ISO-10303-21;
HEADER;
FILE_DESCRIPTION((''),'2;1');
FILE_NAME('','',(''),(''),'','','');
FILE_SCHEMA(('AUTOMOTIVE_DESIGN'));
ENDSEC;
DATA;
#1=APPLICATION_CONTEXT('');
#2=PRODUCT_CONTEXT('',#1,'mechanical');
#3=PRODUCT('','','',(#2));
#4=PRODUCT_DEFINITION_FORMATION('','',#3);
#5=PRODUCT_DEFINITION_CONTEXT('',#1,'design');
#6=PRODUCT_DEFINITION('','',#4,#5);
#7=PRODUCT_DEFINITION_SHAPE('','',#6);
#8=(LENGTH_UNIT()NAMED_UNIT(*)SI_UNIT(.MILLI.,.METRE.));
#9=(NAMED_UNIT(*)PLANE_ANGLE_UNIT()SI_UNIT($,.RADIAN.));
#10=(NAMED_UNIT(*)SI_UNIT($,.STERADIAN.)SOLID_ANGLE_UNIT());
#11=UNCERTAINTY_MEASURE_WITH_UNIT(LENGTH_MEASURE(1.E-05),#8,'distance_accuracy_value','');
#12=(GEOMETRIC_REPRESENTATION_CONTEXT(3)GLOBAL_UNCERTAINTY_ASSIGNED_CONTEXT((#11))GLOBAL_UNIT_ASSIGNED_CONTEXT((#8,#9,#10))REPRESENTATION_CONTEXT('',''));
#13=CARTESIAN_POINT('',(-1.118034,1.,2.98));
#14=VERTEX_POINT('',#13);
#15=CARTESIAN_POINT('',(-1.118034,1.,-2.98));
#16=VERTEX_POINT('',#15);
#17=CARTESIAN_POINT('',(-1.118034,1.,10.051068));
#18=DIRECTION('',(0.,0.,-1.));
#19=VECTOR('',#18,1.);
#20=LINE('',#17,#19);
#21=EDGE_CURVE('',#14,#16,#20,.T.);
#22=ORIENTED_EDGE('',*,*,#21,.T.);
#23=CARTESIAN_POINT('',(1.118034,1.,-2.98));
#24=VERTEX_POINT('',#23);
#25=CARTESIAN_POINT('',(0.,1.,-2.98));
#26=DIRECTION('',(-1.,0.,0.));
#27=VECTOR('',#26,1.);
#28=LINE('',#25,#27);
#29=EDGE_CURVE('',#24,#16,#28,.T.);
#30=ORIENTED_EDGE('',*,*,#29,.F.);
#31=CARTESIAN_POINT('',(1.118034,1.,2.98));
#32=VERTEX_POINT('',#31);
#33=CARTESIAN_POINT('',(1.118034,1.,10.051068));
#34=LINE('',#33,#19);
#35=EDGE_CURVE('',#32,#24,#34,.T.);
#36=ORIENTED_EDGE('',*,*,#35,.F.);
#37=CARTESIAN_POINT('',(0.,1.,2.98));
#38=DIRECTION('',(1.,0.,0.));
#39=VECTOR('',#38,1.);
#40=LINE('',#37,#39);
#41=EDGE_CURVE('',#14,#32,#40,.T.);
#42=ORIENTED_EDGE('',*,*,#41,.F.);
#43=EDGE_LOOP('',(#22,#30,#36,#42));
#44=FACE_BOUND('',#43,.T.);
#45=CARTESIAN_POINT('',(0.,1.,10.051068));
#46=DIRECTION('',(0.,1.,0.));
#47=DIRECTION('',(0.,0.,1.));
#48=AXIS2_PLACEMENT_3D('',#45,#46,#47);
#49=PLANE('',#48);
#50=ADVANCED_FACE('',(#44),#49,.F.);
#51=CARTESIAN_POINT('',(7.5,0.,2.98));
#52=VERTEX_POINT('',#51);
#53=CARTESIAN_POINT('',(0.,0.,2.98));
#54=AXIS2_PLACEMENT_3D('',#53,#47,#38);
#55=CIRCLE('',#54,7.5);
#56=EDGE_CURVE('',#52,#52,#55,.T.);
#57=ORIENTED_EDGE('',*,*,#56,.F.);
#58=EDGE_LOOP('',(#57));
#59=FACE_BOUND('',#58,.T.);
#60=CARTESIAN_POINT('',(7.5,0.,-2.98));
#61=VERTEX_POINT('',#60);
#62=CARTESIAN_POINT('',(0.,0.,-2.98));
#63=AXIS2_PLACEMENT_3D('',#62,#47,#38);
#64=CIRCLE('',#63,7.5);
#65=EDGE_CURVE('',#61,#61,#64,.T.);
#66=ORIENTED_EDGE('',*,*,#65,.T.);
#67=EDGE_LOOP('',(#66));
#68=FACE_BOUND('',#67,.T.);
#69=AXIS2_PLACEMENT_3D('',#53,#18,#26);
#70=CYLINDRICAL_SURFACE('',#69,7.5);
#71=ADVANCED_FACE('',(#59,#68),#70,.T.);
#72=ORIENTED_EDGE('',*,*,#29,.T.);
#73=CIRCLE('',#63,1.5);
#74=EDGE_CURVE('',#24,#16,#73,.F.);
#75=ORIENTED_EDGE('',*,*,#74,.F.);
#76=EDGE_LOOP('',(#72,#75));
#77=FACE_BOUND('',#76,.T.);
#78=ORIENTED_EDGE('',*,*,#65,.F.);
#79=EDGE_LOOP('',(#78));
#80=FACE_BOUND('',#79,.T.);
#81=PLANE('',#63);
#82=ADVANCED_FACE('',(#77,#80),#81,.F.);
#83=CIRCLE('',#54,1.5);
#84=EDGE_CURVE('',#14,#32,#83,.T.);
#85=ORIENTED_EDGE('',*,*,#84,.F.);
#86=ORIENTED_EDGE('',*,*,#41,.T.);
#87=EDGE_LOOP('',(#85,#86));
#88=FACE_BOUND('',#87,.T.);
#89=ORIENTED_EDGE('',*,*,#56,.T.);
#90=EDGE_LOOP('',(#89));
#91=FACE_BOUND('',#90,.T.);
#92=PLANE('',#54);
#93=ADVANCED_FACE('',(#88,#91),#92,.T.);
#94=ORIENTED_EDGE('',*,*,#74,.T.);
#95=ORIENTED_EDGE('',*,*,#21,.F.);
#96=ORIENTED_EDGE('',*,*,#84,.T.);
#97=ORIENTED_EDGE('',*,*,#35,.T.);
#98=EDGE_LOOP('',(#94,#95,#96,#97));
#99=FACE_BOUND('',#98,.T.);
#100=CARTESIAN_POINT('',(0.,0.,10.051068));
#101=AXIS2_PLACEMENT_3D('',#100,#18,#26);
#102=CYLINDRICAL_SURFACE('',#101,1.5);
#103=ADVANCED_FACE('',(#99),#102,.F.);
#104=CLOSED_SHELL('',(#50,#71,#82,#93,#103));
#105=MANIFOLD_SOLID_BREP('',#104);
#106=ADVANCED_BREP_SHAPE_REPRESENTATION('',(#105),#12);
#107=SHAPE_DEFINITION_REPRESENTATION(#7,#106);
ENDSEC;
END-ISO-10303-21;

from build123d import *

# Parameters (mm, degrees)
SKETCH1_R                       = 7.5
SKETCH1_R_2                     = 2.5
BOSS_EXTRUDE2_DEPTH             = 2.98
BOSS_EXTRUDE3_REACH             = 13.017
SKETCH1_5_R                     = 2.5
BOSS_EXTRUDE3_DIRECTION_2_REACH = 13.017


with BuildPart() as part:
    # Sketch1 → Boss-Extrude2 (new, symmetric)
    with BuildSketch(Plane.XY):
        Circle(SKETCH1_R)
        Circle(SKETCH1_R_2, mode=Mode.SUBTRACT)
    extrude(amount=BOSS_EXTRUDE2_DEPTH, both=True)

    # Boss-Extrude3: up to this face of the body (flat: up to its plane)
    boss_extrude3_end = Plane(part.part.faces().sort_by_distance((-7.287867966, 0, 2.98))[0])
    # Sketch1<5> → Boss-Extrude3 (add, up to the picked face)
    with BuildSketch(Plane.XY, mode=Mode.PRIVATE) as boss_extrude3_sk1:
        Circle(SKETCH1_5_R)
        with BuildLine():
            ThreePointArc((1.118033989, 1), (0, -1.5), (-1.118033989, 1))
            Line((-1.118033989, 1), (1.118033989, 1))
        make_face(mode=Mode.SUBTRACT)
    boss_extrude3_tool1 = split(extrude(boss_extrude3_sk1.sketch, amount=BOSS_EXTRUDE3_REACH, mode=Mode.PRIVATE), bisect_by=boss_extrude3_end, keep=Keep.BOTH, mode=Mode.PRIVATE)
    add(boss_extrude3_tool1.solids().sort_by(Axis((-2.429289, 0, 0), (0, 0, 1)))[0])

    # Boss-Extrude3 direction 2: up to this face of the body (flat: up to its plane)
    boss_extrude3_direction_2_end = Plane(part.part.faces().sort_by_distance((-7.287867966, 0, -2.98))[0])
    # Sketch1<5> → Boss-Extrude3 direction 2 (add, up to the picked face)
    with BuildSketch(Plane.XY, mode=Mode.PRIVATE) as boss_extrude3_direction_2_sk1:
        Circle(SKETCH1_5_R)
        with BuildLine():
            ThreePointArc((1.118033989, 1), (0, -1.5), (-1.118033989, 1))
            Line((-1.118033989, 1), (1.118033989, 1))
        make_face(mode=Mode.SUBTRACT)
    boss_extrude3_direction_2_tool1 = split(extrude(boss_extrude3_direction_2_sk1.sketch, amount=-BOSS_EXTRUDE3_DIRECTION_2_REACH, mode=Mode.PRIVATE), bisect_by=boss_extrude3_direction_2_end, keep=Keep.BOTH, mode=Mode.PRIVATE)
    add(boss_extrude3_direction_2_tool1.solids().sort_by(Axis((-2.429289, 0, 0), (0, 0, -1)))[0])


solid = part.part
